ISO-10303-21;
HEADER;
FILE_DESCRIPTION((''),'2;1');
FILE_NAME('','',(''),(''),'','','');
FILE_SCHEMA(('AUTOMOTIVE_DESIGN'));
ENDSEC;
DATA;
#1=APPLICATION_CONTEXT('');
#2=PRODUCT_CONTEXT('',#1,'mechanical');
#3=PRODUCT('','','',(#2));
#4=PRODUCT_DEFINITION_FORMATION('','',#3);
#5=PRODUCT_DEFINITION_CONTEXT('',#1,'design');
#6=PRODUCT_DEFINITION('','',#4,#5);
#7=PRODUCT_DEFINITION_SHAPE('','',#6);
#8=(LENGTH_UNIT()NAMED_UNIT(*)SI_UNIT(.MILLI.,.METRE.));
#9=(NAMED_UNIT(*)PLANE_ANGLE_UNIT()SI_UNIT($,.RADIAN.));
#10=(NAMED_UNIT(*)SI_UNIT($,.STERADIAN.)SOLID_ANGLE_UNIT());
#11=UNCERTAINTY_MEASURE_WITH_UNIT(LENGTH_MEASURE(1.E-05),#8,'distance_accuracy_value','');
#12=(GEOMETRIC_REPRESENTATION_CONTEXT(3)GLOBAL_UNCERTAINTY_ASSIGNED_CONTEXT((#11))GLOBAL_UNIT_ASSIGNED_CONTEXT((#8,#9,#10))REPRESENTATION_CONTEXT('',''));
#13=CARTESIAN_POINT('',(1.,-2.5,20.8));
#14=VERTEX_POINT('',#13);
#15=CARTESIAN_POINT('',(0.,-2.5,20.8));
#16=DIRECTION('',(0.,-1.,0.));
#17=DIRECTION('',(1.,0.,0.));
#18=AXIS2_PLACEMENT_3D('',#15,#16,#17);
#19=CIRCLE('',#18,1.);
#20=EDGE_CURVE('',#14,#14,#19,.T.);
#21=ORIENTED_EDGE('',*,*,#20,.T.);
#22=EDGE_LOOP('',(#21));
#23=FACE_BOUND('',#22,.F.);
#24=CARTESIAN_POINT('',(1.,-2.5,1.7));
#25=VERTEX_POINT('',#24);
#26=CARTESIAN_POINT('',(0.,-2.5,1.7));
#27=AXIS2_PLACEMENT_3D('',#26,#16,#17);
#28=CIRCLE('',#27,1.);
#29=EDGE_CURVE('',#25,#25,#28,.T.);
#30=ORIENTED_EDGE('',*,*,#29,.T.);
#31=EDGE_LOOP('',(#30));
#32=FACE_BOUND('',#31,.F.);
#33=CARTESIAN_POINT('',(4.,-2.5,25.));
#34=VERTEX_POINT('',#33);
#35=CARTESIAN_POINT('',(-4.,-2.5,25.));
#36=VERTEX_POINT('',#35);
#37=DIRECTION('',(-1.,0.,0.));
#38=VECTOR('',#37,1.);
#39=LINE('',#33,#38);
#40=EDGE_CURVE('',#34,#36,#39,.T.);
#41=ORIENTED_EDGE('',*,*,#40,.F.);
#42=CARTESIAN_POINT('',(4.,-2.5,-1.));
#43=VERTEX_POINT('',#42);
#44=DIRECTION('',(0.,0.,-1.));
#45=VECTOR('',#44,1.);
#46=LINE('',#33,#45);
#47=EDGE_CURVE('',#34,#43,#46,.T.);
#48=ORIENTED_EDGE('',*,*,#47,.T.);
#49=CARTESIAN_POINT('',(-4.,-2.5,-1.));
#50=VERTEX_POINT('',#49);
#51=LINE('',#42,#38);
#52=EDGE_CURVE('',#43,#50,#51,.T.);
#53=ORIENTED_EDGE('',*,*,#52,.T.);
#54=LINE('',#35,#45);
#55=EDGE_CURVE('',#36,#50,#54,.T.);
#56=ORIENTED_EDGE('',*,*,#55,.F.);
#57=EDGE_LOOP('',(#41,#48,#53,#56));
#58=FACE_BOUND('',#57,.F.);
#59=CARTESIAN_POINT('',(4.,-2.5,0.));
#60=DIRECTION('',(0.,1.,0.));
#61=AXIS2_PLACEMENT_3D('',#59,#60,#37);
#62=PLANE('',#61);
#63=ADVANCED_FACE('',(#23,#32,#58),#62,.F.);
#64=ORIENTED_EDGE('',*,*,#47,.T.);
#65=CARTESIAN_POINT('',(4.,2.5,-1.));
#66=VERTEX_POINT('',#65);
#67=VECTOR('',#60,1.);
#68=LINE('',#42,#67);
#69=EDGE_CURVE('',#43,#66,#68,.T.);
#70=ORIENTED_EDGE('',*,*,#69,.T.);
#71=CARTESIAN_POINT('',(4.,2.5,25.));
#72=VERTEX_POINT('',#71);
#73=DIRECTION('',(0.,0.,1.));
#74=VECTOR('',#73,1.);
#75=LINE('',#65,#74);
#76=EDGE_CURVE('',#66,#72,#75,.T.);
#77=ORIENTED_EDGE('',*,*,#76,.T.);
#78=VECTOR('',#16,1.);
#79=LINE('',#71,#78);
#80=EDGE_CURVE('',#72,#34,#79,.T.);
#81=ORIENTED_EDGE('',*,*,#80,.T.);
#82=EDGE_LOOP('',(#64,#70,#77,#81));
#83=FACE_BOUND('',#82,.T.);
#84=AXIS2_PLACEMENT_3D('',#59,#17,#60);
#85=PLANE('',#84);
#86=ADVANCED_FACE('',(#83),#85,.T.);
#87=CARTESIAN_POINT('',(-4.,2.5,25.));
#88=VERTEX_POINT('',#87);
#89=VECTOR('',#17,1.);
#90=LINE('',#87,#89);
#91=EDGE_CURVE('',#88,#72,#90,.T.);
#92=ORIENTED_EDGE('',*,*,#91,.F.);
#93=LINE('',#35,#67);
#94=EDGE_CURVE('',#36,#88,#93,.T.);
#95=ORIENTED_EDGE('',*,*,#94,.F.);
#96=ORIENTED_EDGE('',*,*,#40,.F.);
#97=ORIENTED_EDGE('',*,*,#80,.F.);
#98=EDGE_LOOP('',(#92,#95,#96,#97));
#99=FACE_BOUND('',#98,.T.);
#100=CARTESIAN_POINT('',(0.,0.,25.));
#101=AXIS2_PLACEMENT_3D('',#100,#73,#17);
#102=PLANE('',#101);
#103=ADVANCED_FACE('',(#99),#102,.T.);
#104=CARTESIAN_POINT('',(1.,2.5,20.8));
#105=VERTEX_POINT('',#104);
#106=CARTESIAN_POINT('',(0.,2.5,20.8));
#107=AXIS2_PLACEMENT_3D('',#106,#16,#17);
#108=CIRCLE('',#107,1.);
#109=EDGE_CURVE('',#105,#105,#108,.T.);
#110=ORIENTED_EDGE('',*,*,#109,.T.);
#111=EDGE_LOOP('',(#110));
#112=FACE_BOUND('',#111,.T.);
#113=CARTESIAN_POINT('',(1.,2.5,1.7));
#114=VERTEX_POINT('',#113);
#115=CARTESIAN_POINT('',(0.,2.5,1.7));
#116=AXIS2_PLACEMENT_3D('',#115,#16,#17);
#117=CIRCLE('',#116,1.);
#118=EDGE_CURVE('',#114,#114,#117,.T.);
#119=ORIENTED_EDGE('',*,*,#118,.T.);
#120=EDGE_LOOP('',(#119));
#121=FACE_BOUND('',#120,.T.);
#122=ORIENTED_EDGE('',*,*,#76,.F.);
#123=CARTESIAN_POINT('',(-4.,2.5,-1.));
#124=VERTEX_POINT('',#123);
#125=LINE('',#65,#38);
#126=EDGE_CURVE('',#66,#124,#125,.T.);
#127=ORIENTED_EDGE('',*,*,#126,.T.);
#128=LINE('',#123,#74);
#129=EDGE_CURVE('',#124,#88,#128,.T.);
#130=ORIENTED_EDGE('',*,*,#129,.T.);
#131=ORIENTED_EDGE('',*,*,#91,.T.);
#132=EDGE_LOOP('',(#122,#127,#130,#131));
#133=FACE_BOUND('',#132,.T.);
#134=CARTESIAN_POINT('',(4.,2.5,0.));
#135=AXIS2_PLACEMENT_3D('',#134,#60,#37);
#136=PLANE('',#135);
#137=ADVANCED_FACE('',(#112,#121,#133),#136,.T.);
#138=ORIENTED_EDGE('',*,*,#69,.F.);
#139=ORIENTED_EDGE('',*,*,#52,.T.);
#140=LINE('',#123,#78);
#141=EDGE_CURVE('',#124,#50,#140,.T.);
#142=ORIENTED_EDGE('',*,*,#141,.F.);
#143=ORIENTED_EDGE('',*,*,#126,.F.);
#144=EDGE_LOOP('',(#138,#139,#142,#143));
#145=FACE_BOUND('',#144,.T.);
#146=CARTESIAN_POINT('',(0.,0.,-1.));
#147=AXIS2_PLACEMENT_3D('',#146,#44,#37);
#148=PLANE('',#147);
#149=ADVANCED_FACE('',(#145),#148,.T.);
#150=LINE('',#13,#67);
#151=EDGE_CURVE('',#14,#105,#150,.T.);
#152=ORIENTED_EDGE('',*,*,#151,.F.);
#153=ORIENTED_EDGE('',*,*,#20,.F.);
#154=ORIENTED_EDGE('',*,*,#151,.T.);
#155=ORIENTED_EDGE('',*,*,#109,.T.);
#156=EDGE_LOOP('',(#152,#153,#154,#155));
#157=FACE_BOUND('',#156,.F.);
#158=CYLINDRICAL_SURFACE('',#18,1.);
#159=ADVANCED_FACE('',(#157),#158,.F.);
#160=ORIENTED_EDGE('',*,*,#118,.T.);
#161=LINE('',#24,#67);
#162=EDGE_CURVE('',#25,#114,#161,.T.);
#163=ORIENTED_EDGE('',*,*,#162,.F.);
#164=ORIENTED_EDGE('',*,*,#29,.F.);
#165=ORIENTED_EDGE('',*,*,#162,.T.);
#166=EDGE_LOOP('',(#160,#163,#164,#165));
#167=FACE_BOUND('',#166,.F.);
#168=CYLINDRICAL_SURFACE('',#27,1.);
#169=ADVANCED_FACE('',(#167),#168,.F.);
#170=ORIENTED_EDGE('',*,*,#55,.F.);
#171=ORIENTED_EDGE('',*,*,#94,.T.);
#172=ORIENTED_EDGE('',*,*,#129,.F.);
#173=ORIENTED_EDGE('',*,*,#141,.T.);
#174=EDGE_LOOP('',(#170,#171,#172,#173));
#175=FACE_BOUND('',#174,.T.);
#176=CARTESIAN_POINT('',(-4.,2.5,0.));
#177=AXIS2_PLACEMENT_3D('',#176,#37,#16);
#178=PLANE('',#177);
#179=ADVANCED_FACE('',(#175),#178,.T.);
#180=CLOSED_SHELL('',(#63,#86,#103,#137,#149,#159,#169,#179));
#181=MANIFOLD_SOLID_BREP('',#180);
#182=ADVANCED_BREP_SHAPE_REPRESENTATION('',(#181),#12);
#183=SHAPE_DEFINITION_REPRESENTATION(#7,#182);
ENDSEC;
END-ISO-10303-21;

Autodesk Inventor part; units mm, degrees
ref_plane "YZ Plane" through (0, 0, 0) normal (1, 0, 0) x (0, 1, 0)
ref_plane "XZ Plane" through (0, 0, 0) normal (0, 1, 0) x (-1, 0, 0)
ref_plane "XY Plane" through (0, 0, 0) normal (0, 0, 1) x (1, 0, 0)
sketch "Sketch1" plane through (0, 0, 0) normal (0, 0, 1) x (1, 0, 0)
  line L0 (-4, 2.5) -> (4, 2.5)
  line L1 (4, 2.5) -> (4, -2.5)
  line L2 (4, -2.5) -> (-4, -2.5)
  line L3 (-4, -2.5) -> (-4, 2.5)
  line L4 (-4, 2.5) -> (4, -2.5) construction
  line L5 (4, 2.5) -> (-4, -2.5) construction
  point P0 (0, 0)
  dimension "d0" = 8
  dimension "d1" = 5
extrude "Extrusion1" add sketch "Sketch1" along normal blind 25
sketch "Sketch2" plane through (-4, -2.5, 0) normal (0, -1, 0) x (1, 0, 0)
  circle A0 centre (4, 1.7) radius 1
  circle A1 centre (4, 20.8) radius 1
  point P0 (4, 0)
  dimension "d4" = 2
  dimension "d5" = 2
extrude "Extrusion2" cut sketch "Sketch2" against normal up to next
sketch "Sketch3" plane through (0, 0, 0) normal (0, 0, -1) x (-1, 0, 0)
  line L0 (-4, -2.5) -> (4, -2.5) projected
  line L1 (-4, -2.5) -> (-4, 2.5) projected
  line L2 (4, -2.5) -> (-4, -2.5)
  line L3 (-4, -2.5) -> (-4, 2.5)
  line L4 (-4, 2.5) -> (4, 2.5)
  line L5 (4, 2.5) -> (4, -2.5)
  point P0 (0, 0)
extrude "Extrusion3" add sketch "Sketch3" along normal blind 1
properties part number "支架 assembly"
